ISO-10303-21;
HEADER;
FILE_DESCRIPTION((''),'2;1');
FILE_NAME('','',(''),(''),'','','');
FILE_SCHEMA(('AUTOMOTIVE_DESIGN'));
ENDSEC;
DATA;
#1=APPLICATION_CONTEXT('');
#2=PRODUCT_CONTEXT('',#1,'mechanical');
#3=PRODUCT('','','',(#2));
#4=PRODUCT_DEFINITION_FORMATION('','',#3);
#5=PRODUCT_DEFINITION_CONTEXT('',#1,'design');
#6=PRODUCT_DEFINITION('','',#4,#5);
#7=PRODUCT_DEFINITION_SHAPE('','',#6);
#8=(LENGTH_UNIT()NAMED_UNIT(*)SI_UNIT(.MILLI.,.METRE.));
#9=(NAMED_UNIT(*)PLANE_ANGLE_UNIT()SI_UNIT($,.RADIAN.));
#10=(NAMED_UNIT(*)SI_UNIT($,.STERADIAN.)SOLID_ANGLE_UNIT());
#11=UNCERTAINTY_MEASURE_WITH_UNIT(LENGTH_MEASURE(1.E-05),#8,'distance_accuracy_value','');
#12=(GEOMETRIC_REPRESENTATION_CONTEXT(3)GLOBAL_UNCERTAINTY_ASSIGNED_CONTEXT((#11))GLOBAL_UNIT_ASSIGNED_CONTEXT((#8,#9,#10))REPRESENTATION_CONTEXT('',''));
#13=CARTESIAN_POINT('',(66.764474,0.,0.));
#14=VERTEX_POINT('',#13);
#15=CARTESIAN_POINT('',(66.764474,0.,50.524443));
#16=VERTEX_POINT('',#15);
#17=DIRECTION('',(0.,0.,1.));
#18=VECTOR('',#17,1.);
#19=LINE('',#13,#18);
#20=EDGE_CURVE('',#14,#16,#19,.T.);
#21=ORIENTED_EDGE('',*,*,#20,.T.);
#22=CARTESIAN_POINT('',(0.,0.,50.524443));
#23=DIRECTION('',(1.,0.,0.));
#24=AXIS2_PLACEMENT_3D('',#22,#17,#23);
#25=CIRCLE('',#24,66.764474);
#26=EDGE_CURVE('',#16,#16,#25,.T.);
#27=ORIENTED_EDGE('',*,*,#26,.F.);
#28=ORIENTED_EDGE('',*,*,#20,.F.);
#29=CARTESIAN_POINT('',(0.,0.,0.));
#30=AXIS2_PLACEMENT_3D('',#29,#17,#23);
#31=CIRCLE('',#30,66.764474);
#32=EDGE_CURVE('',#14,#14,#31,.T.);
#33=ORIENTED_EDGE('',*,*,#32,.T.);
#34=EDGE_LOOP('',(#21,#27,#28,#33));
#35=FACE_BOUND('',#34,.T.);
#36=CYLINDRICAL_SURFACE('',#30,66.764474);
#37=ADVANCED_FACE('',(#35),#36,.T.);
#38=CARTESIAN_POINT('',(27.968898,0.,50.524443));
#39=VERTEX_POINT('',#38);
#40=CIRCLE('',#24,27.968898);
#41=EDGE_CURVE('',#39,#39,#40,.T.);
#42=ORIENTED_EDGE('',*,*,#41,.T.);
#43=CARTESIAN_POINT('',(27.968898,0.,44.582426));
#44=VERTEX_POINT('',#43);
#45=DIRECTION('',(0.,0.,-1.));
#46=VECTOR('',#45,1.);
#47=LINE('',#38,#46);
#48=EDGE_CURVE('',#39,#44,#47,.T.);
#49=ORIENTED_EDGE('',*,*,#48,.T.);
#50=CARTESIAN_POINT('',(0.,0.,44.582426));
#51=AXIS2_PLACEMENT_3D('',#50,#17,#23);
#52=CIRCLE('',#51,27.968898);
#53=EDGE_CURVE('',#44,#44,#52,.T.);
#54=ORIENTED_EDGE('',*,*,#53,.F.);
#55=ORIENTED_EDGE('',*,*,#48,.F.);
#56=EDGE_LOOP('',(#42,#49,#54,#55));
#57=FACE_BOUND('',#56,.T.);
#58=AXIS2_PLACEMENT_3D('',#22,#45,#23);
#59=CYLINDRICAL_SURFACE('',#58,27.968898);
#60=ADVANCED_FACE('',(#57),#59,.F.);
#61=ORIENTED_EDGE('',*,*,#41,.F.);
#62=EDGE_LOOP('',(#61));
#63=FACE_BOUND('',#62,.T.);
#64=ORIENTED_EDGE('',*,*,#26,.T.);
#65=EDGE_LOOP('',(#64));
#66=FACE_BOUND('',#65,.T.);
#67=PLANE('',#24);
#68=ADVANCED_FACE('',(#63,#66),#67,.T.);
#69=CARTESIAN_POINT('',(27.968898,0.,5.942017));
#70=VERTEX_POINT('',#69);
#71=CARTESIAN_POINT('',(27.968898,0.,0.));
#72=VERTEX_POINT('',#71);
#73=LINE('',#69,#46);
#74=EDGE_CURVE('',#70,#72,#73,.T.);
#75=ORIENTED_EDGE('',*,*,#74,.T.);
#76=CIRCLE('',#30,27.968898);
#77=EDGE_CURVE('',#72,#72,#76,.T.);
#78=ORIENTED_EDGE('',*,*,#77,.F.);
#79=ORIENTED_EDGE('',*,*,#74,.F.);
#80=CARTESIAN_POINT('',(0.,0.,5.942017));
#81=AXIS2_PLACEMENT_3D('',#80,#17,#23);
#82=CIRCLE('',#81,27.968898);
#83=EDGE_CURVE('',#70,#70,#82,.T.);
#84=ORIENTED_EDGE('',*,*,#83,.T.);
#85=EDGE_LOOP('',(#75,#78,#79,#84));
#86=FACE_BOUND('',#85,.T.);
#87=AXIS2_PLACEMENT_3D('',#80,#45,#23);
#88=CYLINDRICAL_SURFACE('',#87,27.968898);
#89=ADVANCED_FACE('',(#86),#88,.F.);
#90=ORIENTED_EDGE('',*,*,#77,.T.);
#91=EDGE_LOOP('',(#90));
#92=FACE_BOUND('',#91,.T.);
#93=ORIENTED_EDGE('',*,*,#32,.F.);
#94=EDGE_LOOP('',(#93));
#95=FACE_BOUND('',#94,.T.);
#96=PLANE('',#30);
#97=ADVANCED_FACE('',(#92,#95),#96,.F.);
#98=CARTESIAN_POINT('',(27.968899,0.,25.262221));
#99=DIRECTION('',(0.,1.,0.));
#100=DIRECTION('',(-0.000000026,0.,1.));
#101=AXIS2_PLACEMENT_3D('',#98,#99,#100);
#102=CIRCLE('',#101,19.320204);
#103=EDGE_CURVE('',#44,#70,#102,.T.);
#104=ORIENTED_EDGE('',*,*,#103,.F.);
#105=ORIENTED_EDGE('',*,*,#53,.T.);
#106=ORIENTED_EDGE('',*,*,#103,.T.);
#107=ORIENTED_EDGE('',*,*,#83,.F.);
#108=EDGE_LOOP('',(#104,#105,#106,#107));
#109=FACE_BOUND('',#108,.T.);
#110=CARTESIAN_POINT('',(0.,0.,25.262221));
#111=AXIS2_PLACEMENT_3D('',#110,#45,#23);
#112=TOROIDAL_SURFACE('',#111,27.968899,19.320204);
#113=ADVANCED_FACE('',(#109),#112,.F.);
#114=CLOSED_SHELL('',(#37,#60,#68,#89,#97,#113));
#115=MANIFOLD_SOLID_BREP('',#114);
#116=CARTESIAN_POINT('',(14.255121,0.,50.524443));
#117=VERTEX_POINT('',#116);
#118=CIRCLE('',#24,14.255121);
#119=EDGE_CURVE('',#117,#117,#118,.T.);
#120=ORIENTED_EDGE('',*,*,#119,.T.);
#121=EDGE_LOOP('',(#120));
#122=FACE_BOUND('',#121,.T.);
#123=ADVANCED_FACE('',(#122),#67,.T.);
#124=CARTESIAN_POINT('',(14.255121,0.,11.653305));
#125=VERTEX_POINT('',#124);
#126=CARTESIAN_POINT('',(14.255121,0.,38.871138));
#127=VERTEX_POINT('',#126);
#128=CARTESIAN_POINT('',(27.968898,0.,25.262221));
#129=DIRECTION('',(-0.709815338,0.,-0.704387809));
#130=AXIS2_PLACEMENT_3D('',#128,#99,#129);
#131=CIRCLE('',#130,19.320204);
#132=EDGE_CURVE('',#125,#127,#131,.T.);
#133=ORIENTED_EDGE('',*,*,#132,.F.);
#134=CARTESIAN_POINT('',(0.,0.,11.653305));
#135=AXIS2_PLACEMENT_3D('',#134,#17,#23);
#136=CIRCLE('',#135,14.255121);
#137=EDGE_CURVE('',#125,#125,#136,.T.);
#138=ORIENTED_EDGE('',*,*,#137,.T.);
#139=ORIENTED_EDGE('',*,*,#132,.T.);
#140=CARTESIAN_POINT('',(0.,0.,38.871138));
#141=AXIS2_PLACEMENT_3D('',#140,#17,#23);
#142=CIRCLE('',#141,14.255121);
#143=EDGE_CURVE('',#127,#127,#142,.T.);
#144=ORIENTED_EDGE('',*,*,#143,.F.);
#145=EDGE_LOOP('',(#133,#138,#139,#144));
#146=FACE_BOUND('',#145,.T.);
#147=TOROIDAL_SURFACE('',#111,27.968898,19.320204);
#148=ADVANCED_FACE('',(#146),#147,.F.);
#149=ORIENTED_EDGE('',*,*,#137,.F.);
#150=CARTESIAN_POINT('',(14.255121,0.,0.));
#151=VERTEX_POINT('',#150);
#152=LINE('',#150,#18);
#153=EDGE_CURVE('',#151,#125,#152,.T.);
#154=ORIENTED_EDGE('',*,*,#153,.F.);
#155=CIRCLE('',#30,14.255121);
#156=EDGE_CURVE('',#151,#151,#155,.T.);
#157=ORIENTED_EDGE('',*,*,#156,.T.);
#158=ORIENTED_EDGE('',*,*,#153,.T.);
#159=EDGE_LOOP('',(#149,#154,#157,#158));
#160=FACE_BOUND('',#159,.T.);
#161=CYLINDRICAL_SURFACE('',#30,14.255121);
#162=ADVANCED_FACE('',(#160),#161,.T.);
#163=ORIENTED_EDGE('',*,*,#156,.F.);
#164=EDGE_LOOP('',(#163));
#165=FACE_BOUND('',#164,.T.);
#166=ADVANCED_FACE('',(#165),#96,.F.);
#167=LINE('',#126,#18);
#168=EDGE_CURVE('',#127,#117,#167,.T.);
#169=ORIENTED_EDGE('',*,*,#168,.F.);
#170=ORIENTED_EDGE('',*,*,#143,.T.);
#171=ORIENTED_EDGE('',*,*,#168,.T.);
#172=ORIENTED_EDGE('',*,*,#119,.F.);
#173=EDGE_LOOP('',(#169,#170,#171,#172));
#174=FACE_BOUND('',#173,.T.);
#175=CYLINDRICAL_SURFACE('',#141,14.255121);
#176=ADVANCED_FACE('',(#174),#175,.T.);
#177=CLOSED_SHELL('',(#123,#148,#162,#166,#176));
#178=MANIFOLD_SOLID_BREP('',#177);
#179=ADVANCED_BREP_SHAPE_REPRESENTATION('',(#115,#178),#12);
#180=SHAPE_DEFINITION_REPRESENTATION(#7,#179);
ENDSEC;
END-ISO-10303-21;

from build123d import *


with BuildPart() as f1:
    # F0 (on Front) → F1 (revolve)
    with BuildSketch(Plane.XZ):
        with BuildLine():
            Line((0, 50.524443), (0, 0))
            Line((0, 0), (14.255121, 0))
            Line((14.255121, 0), (14.255121, 11.653305))
            ThreePointArc((14.255121, 11.653305), (8.648694, 25.262222), (14.255121, 38.871138))
            Line((14.255121, 38.871138), (14.255121, 50.524443))
            Line((14.255121, 50.524443), (0, 50.524443))
        make_face()
        with BuildLine():
            Line((66.764474, 0), (66.764474, 50.524443))
            Line((66.764474, 50.524443), (27.968898, 50.524443))
            Line((27.968898, 50.524443), (27.968898, 44.582426))
            ThreePointArc((27.968898, 44.582426), (47.289103, 25.262222), (27.968898, 5.942017))
            Line((27.968898, 5.942017), (27.968898, 0))
            Line((27.968898, 0), (66.764474, 0))
        make_face()
    revolve(axis=Axis((0, 0, 25.262222), (0, 0, 1)))


solid = f1.part
